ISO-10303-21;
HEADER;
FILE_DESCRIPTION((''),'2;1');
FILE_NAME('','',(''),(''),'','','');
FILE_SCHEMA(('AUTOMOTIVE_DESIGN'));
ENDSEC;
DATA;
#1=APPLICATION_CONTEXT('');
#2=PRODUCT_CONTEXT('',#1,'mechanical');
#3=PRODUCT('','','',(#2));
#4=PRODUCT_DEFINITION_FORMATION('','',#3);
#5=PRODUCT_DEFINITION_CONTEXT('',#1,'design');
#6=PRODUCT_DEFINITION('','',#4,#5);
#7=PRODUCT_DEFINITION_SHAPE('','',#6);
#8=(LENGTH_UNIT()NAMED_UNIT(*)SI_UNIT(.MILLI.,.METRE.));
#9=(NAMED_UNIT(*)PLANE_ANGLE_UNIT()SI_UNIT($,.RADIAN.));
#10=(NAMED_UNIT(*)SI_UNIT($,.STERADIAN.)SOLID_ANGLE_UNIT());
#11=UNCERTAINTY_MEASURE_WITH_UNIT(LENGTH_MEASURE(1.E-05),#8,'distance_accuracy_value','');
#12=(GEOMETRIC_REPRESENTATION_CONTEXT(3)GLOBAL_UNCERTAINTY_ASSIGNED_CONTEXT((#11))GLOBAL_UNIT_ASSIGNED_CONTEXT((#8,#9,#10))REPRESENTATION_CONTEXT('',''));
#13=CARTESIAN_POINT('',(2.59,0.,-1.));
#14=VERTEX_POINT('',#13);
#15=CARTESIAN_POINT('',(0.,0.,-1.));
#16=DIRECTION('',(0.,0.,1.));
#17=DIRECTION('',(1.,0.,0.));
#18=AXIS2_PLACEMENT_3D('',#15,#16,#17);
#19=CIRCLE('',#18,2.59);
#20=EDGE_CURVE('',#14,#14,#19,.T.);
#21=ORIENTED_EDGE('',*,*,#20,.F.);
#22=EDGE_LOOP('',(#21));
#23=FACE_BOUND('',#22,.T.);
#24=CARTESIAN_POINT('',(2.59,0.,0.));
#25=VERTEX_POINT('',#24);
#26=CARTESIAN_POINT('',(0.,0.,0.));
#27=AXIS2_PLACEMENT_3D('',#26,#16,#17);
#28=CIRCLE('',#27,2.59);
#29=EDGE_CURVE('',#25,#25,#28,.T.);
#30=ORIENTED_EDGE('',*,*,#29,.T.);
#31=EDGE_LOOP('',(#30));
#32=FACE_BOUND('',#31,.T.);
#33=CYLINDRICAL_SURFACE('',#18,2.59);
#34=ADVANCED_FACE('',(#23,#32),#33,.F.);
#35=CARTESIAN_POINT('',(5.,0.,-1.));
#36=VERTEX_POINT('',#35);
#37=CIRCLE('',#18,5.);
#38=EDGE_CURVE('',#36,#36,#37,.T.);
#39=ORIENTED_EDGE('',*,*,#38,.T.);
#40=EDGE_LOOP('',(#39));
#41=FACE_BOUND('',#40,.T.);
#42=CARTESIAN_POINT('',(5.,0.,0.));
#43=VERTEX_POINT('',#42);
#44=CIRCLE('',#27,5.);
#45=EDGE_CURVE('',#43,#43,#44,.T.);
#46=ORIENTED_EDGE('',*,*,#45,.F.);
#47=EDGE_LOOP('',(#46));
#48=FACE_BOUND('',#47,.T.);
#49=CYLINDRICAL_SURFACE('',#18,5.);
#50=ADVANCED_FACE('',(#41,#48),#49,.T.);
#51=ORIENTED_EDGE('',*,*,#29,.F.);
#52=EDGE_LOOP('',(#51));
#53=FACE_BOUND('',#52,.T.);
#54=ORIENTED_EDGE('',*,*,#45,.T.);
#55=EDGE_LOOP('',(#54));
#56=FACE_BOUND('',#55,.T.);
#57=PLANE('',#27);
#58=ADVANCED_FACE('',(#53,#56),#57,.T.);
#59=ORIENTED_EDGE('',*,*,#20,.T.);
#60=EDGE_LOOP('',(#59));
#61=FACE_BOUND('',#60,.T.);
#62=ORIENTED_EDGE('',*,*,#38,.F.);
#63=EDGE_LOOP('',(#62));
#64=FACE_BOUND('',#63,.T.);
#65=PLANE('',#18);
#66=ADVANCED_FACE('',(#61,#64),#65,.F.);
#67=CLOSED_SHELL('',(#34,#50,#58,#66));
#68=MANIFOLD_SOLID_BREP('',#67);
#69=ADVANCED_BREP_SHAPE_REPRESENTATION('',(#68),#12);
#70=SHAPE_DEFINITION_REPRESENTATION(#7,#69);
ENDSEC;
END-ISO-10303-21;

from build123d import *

# Parameters (mm, degrees)
SKETCH1_R          = 5
SKETCH1_R_2        = 2.59
BASE_EXTRUDE_DEPTH = 1


with BuildPart() as part:
    # Sketch1 → Base-Extrude (new body)
    with BuildSketch(Plane.XY):
        Circle(SKETCH1_R)
        Circle(SKETCH1_R_2, mode=Mode.SUBTRACT)
    extrude(amount=-BASE_EXTRUDE_DEPTH)


solid = part.part
